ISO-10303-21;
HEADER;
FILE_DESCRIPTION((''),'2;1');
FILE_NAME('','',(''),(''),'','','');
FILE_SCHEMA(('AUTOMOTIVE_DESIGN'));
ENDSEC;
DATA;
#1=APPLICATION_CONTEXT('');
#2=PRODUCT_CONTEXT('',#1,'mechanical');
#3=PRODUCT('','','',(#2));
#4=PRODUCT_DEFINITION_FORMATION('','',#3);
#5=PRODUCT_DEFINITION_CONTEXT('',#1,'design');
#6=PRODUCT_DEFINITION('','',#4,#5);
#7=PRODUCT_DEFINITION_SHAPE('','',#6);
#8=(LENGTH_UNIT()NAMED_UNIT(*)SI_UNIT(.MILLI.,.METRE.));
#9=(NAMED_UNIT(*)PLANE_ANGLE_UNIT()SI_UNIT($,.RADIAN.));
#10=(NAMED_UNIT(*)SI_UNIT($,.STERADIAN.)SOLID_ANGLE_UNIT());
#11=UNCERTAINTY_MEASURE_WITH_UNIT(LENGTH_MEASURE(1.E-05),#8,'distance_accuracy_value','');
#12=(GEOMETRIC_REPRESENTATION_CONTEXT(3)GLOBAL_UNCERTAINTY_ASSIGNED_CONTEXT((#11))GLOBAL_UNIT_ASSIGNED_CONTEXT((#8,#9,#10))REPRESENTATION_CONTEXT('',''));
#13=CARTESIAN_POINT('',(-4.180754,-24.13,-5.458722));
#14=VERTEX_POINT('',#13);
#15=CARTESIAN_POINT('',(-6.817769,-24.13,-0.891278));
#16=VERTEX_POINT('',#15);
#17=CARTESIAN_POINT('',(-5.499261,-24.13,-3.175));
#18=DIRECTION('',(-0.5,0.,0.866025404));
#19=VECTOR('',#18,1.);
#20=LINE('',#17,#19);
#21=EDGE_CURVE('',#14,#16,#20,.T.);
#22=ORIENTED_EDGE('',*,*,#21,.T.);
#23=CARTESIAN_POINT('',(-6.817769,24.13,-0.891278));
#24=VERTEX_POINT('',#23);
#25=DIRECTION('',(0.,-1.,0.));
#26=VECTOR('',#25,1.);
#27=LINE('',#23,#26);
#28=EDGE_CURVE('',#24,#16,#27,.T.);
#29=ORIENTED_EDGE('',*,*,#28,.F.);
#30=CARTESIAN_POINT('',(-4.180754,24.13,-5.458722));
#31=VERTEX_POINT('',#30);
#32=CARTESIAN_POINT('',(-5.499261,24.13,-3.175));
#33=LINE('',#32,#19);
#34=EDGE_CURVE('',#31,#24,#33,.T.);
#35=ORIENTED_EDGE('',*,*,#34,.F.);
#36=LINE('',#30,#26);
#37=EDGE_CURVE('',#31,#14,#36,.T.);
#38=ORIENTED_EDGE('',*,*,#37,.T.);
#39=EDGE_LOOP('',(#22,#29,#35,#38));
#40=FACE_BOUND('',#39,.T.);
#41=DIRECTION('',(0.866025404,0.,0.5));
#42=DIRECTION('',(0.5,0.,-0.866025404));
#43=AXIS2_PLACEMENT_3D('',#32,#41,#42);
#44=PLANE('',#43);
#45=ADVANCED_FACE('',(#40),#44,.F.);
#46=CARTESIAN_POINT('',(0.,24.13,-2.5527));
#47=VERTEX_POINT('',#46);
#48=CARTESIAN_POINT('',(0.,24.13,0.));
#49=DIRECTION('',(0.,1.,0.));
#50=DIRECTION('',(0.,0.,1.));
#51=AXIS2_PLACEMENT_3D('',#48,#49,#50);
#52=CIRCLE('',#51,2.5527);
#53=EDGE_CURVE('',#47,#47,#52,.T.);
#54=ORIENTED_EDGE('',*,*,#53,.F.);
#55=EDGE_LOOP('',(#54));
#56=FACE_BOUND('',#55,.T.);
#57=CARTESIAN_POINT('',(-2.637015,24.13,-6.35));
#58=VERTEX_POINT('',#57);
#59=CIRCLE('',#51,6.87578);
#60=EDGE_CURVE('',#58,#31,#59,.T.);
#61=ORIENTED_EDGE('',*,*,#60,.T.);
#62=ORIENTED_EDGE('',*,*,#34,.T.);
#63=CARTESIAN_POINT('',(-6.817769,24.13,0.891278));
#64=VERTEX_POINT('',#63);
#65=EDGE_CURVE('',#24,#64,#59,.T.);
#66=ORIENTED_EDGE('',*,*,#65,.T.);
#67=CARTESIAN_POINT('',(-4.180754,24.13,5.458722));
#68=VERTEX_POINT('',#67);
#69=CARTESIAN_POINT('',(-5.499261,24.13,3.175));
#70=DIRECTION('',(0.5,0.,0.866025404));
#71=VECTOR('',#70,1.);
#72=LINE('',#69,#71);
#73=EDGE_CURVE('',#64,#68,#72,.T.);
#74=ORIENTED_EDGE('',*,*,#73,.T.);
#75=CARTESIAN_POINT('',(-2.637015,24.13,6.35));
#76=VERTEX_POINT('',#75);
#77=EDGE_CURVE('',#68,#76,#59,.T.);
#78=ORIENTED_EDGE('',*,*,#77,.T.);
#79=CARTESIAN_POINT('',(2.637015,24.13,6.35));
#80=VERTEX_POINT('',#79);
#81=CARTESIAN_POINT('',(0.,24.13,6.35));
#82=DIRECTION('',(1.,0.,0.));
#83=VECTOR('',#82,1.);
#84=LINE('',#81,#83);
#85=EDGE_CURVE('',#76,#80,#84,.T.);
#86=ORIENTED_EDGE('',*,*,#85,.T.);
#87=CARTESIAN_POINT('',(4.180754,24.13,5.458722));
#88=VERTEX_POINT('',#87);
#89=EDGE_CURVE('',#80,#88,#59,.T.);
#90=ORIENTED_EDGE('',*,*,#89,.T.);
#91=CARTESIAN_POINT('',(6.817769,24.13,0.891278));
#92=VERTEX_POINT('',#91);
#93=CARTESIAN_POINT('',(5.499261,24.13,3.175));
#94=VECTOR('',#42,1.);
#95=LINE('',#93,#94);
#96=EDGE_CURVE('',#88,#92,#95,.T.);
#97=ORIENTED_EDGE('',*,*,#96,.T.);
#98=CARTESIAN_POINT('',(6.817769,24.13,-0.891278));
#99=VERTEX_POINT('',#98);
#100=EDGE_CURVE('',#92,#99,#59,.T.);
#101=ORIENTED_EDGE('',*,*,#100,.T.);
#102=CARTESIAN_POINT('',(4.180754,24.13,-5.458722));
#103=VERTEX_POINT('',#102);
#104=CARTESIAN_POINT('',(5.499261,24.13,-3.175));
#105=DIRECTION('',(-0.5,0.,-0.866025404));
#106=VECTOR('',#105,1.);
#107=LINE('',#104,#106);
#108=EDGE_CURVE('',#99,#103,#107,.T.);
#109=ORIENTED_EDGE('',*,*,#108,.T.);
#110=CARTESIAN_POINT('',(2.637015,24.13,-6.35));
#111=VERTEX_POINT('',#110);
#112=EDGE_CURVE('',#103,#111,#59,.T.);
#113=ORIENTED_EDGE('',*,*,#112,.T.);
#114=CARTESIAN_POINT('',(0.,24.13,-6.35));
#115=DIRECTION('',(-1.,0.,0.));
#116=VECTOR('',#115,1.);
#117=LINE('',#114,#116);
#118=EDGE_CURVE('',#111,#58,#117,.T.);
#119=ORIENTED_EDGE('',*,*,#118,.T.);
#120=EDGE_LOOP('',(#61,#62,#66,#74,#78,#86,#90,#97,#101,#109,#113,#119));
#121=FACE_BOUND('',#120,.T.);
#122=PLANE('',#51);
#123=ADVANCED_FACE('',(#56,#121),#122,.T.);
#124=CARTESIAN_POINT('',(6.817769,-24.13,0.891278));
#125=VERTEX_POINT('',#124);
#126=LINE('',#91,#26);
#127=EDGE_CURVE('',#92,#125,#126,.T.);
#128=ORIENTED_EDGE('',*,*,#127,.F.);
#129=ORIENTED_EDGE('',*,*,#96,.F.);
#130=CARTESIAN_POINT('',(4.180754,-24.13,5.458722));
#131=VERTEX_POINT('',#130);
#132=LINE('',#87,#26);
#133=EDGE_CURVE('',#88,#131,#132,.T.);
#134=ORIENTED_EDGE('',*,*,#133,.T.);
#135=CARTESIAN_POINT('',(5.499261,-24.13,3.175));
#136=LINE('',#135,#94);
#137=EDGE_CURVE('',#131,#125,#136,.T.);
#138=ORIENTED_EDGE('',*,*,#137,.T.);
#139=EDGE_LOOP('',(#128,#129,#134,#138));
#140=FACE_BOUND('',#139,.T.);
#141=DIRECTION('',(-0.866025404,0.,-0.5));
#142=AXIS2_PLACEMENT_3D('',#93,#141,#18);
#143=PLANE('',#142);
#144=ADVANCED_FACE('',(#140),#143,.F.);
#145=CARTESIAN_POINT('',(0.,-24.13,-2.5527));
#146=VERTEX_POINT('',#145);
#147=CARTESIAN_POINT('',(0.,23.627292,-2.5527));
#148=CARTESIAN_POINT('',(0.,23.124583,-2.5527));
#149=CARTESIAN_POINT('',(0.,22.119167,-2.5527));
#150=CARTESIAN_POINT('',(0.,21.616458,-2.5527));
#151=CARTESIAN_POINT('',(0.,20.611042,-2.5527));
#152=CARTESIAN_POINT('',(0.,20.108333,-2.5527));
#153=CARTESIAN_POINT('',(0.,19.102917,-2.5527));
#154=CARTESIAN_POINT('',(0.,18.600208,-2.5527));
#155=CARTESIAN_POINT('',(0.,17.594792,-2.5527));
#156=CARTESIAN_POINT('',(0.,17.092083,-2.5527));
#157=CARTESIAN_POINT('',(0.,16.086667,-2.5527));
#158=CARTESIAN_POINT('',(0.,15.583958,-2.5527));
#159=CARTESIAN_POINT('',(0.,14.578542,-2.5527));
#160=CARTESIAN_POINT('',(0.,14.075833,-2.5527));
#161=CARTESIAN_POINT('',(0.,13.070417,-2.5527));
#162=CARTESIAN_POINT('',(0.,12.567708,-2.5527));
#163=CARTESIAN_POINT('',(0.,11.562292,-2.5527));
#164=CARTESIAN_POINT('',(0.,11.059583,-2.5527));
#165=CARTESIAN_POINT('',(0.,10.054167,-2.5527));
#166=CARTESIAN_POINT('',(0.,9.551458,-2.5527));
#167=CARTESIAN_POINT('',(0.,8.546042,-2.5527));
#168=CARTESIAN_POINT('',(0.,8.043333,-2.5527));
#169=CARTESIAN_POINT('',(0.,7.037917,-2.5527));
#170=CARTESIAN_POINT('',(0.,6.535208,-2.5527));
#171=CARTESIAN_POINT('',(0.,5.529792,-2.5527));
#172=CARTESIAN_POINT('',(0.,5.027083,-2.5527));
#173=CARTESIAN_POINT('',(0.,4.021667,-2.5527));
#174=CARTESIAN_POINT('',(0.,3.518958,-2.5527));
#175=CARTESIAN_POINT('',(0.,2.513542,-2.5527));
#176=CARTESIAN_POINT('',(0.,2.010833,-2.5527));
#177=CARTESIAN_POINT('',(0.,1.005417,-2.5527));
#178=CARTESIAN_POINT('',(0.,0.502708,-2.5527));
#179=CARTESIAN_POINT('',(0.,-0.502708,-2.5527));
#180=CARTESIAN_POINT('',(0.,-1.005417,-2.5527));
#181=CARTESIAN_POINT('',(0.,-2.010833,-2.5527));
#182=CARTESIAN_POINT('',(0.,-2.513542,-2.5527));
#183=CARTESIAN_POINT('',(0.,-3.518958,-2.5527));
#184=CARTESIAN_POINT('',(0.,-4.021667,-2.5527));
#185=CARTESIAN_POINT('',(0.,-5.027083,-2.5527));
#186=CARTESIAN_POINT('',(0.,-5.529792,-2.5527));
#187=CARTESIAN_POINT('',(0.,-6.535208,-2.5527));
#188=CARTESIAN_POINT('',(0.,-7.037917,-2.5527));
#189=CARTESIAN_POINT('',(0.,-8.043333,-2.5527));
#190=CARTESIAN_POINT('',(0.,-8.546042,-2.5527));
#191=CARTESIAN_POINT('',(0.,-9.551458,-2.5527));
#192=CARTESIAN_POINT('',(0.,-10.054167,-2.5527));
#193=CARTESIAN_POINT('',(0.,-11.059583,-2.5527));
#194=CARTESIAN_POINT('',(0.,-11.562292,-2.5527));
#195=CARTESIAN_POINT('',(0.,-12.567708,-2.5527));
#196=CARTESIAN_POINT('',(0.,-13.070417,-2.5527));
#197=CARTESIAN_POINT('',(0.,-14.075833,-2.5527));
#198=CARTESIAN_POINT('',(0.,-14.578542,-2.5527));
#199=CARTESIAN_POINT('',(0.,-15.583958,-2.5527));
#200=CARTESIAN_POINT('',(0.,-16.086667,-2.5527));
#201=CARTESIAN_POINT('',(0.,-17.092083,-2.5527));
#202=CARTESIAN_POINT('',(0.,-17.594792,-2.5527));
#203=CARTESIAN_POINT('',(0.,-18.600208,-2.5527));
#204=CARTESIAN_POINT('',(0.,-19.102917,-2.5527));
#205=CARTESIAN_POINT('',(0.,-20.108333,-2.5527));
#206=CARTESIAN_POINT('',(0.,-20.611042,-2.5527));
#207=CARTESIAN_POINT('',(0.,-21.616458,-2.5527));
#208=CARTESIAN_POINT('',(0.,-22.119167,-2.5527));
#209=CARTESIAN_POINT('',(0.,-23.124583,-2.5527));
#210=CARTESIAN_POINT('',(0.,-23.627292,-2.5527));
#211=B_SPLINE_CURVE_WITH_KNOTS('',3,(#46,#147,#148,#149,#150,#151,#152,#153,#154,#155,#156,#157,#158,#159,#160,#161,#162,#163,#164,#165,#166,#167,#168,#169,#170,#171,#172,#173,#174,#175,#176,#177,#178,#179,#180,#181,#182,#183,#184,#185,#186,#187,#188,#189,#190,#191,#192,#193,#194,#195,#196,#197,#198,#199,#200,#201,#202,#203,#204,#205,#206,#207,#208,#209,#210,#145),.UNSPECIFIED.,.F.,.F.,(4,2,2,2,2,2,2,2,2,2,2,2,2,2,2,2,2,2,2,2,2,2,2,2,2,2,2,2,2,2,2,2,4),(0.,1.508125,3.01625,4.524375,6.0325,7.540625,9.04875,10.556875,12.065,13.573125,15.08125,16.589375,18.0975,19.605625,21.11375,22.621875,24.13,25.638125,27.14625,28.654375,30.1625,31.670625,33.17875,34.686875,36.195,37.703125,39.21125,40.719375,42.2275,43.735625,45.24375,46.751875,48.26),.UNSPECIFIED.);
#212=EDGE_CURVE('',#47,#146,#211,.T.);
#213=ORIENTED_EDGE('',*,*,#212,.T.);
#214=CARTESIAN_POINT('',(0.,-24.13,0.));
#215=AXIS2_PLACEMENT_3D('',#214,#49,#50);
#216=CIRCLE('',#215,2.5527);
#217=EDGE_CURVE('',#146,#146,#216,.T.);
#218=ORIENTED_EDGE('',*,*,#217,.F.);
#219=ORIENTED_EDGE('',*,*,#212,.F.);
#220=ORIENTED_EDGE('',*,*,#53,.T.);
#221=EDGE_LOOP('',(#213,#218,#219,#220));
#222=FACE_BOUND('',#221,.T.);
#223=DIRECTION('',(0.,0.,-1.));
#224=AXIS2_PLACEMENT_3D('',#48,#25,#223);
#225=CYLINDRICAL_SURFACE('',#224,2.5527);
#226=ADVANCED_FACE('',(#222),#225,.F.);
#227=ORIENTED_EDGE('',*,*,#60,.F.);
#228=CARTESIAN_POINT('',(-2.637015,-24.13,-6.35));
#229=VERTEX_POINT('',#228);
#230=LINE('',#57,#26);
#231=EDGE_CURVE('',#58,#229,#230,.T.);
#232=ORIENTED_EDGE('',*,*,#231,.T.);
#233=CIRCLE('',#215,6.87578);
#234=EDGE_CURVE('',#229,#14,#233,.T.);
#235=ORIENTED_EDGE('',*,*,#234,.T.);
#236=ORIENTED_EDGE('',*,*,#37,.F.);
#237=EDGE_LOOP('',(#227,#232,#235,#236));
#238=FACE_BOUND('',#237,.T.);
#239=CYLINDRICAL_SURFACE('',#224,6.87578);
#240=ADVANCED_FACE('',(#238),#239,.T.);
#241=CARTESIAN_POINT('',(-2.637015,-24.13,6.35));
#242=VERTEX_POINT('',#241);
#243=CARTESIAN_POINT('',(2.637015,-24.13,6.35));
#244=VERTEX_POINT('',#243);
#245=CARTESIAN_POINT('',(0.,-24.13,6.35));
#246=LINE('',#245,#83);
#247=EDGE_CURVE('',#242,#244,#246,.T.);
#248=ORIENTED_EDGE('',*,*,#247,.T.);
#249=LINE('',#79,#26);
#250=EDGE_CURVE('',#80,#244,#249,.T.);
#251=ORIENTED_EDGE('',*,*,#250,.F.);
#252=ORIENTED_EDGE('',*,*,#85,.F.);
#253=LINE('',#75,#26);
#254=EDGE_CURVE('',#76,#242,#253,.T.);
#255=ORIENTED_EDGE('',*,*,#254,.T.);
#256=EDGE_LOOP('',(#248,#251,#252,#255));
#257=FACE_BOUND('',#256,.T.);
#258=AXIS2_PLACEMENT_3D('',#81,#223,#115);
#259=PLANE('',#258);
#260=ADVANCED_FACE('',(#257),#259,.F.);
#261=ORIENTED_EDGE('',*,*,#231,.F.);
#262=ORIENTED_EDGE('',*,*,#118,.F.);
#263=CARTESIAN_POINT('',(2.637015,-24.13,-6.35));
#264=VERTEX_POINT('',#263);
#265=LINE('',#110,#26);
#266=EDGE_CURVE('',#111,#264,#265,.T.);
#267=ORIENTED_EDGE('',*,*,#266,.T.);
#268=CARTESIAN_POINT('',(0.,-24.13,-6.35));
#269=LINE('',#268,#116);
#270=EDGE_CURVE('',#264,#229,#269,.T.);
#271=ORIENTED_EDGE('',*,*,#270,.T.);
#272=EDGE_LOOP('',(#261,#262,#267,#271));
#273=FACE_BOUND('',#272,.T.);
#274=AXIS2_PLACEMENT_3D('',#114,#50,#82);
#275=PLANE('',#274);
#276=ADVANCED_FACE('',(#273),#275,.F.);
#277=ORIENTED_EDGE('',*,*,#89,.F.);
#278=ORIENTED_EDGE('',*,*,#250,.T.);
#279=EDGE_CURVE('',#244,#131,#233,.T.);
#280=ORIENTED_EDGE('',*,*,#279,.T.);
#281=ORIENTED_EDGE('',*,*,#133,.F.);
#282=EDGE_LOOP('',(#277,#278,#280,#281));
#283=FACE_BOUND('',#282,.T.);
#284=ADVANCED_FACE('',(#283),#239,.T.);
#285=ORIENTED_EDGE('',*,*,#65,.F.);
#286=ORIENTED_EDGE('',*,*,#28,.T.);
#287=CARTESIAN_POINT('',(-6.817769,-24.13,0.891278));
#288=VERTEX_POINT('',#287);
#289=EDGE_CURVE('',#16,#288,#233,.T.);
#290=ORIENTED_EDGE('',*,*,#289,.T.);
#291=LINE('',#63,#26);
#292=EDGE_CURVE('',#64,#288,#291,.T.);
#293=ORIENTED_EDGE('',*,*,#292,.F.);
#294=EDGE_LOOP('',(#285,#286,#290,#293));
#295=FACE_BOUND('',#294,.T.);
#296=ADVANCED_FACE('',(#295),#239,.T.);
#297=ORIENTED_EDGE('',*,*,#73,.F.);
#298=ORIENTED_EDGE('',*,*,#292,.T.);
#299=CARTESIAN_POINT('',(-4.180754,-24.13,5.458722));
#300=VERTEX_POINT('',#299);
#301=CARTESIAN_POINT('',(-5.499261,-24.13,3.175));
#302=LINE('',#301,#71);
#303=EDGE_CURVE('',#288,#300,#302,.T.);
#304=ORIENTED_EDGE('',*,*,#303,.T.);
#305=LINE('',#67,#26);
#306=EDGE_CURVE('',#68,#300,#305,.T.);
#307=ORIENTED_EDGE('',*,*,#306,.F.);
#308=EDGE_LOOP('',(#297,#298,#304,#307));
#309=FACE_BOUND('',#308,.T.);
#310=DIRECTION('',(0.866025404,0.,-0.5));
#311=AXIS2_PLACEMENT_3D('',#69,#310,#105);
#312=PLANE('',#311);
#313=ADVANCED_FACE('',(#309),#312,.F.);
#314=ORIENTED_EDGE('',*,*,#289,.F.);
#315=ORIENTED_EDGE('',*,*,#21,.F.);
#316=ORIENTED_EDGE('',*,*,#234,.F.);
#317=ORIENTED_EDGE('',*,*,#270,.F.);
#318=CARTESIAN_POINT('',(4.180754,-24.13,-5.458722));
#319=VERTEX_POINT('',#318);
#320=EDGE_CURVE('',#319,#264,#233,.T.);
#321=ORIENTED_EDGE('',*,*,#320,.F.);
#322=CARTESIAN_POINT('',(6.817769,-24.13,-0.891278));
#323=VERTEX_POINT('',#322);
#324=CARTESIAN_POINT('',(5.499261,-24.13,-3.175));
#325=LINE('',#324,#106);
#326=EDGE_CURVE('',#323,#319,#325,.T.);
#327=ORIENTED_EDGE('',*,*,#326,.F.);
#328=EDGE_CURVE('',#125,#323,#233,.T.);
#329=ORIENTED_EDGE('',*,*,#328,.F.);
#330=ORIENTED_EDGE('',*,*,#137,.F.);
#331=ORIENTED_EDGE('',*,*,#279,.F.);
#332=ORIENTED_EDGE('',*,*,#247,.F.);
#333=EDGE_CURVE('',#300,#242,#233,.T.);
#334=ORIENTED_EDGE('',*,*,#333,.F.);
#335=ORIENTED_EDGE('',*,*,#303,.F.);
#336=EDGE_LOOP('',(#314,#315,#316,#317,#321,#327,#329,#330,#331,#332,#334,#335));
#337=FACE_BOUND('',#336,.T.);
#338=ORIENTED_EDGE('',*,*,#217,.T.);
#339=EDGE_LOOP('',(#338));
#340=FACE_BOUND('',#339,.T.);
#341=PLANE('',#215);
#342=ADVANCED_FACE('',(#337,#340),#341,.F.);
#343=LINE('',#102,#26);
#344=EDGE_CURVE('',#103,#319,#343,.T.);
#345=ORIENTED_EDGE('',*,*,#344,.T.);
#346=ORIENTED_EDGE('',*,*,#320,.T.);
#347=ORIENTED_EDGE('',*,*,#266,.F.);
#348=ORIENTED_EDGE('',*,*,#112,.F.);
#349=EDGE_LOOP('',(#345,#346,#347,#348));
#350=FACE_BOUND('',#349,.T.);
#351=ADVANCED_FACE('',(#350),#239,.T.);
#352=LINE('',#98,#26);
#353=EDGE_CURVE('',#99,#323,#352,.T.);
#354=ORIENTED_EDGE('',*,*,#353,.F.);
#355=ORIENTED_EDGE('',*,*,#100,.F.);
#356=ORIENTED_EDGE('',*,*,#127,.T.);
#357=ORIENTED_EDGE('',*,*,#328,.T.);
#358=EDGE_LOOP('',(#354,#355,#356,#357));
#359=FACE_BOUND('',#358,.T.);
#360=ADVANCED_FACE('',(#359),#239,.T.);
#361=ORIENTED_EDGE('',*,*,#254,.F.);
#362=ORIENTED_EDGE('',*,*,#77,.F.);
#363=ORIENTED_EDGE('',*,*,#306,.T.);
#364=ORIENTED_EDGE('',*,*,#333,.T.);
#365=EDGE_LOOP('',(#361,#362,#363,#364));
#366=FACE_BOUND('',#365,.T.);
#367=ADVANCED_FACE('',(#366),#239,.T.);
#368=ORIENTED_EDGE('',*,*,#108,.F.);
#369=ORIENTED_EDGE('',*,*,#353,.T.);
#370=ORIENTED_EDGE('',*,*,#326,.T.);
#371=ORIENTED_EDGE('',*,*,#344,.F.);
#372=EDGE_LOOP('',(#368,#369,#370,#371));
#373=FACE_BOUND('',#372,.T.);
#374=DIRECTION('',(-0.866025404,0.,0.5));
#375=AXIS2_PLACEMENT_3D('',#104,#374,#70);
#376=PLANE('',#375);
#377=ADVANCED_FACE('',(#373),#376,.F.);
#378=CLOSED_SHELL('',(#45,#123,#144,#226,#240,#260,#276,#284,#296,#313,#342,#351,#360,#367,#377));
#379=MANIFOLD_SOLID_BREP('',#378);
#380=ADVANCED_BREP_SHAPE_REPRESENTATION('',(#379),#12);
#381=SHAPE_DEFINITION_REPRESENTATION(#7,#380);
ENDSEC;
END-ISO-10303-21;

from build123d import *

# Parameters (mm, degrees)
SKETCH1_R           = 2.5527
BOSS_EXTRUDE1_DEPTH = 24.13


with BuildPart() as part:
    # Sketch1 → Boss-Extrude1 (new, symmetric)
    with BuildSketch(Plane(origin=(0, 0, 0), x_dir=(1, 0, 0), z_dir=(0, 1, 0))):
        with BuildLine():
            ThreePointArc((2.637015474, -6.35), (3.43789, -5.954600151), (4.180753577, -5.45872239))
            Line((4.180753577, -5.45872239), (6.817769051, -0.89127761))
            ThreePointArc((6.817769051, -0.89127761), (6.861261935, -0.446581753), (6.87578, 0))
            ThreePointArc((6.87578, 0), (6.861261935, 0.446581753), (6.817769051, 0.89127761))
            Line((6.817769051, 0.89127761), (4.180753577, 5.45872239))
            ThreePointArc((4.180753577, 5.45872239), (3.43789, 5.954600151), (2.637015474, 6.35))
            Line((2.637015474, 6.35), (-2.637015474, 6.35))
            ThreePointArc((-2.637015474, 6.35), (-3.43789, 5.954600151), (-4.180753577, 5.45872239))
            Line((-4.180753577, 5.45872239), (-6.817769051, 0.89127761))
            ThreePointArc((-6.817769051, 0.89127761), (-6.87578, 0), (-6.817769051, -0.89127761))
            Line((-6.817769051, -0.89127761), (-4.180753577, -5.45872239))
            ThreePointArc((-4.180753577, -5.45872239), (-3.43789, -5.954600151), (-2.637015474, -6.35))
            Line((-2.637015474, -6.35), (2.637015474, -6.35))
        make_face()
        with Locations(Location((0, 0, 0), (0, 0, 90))):
            Circle(SKETCH1_R, mode=Mode.SUBTRACT)
    extrude(amount=BOSS_EXTRUDE1_DEPTH, both=True)


solid = part.part
